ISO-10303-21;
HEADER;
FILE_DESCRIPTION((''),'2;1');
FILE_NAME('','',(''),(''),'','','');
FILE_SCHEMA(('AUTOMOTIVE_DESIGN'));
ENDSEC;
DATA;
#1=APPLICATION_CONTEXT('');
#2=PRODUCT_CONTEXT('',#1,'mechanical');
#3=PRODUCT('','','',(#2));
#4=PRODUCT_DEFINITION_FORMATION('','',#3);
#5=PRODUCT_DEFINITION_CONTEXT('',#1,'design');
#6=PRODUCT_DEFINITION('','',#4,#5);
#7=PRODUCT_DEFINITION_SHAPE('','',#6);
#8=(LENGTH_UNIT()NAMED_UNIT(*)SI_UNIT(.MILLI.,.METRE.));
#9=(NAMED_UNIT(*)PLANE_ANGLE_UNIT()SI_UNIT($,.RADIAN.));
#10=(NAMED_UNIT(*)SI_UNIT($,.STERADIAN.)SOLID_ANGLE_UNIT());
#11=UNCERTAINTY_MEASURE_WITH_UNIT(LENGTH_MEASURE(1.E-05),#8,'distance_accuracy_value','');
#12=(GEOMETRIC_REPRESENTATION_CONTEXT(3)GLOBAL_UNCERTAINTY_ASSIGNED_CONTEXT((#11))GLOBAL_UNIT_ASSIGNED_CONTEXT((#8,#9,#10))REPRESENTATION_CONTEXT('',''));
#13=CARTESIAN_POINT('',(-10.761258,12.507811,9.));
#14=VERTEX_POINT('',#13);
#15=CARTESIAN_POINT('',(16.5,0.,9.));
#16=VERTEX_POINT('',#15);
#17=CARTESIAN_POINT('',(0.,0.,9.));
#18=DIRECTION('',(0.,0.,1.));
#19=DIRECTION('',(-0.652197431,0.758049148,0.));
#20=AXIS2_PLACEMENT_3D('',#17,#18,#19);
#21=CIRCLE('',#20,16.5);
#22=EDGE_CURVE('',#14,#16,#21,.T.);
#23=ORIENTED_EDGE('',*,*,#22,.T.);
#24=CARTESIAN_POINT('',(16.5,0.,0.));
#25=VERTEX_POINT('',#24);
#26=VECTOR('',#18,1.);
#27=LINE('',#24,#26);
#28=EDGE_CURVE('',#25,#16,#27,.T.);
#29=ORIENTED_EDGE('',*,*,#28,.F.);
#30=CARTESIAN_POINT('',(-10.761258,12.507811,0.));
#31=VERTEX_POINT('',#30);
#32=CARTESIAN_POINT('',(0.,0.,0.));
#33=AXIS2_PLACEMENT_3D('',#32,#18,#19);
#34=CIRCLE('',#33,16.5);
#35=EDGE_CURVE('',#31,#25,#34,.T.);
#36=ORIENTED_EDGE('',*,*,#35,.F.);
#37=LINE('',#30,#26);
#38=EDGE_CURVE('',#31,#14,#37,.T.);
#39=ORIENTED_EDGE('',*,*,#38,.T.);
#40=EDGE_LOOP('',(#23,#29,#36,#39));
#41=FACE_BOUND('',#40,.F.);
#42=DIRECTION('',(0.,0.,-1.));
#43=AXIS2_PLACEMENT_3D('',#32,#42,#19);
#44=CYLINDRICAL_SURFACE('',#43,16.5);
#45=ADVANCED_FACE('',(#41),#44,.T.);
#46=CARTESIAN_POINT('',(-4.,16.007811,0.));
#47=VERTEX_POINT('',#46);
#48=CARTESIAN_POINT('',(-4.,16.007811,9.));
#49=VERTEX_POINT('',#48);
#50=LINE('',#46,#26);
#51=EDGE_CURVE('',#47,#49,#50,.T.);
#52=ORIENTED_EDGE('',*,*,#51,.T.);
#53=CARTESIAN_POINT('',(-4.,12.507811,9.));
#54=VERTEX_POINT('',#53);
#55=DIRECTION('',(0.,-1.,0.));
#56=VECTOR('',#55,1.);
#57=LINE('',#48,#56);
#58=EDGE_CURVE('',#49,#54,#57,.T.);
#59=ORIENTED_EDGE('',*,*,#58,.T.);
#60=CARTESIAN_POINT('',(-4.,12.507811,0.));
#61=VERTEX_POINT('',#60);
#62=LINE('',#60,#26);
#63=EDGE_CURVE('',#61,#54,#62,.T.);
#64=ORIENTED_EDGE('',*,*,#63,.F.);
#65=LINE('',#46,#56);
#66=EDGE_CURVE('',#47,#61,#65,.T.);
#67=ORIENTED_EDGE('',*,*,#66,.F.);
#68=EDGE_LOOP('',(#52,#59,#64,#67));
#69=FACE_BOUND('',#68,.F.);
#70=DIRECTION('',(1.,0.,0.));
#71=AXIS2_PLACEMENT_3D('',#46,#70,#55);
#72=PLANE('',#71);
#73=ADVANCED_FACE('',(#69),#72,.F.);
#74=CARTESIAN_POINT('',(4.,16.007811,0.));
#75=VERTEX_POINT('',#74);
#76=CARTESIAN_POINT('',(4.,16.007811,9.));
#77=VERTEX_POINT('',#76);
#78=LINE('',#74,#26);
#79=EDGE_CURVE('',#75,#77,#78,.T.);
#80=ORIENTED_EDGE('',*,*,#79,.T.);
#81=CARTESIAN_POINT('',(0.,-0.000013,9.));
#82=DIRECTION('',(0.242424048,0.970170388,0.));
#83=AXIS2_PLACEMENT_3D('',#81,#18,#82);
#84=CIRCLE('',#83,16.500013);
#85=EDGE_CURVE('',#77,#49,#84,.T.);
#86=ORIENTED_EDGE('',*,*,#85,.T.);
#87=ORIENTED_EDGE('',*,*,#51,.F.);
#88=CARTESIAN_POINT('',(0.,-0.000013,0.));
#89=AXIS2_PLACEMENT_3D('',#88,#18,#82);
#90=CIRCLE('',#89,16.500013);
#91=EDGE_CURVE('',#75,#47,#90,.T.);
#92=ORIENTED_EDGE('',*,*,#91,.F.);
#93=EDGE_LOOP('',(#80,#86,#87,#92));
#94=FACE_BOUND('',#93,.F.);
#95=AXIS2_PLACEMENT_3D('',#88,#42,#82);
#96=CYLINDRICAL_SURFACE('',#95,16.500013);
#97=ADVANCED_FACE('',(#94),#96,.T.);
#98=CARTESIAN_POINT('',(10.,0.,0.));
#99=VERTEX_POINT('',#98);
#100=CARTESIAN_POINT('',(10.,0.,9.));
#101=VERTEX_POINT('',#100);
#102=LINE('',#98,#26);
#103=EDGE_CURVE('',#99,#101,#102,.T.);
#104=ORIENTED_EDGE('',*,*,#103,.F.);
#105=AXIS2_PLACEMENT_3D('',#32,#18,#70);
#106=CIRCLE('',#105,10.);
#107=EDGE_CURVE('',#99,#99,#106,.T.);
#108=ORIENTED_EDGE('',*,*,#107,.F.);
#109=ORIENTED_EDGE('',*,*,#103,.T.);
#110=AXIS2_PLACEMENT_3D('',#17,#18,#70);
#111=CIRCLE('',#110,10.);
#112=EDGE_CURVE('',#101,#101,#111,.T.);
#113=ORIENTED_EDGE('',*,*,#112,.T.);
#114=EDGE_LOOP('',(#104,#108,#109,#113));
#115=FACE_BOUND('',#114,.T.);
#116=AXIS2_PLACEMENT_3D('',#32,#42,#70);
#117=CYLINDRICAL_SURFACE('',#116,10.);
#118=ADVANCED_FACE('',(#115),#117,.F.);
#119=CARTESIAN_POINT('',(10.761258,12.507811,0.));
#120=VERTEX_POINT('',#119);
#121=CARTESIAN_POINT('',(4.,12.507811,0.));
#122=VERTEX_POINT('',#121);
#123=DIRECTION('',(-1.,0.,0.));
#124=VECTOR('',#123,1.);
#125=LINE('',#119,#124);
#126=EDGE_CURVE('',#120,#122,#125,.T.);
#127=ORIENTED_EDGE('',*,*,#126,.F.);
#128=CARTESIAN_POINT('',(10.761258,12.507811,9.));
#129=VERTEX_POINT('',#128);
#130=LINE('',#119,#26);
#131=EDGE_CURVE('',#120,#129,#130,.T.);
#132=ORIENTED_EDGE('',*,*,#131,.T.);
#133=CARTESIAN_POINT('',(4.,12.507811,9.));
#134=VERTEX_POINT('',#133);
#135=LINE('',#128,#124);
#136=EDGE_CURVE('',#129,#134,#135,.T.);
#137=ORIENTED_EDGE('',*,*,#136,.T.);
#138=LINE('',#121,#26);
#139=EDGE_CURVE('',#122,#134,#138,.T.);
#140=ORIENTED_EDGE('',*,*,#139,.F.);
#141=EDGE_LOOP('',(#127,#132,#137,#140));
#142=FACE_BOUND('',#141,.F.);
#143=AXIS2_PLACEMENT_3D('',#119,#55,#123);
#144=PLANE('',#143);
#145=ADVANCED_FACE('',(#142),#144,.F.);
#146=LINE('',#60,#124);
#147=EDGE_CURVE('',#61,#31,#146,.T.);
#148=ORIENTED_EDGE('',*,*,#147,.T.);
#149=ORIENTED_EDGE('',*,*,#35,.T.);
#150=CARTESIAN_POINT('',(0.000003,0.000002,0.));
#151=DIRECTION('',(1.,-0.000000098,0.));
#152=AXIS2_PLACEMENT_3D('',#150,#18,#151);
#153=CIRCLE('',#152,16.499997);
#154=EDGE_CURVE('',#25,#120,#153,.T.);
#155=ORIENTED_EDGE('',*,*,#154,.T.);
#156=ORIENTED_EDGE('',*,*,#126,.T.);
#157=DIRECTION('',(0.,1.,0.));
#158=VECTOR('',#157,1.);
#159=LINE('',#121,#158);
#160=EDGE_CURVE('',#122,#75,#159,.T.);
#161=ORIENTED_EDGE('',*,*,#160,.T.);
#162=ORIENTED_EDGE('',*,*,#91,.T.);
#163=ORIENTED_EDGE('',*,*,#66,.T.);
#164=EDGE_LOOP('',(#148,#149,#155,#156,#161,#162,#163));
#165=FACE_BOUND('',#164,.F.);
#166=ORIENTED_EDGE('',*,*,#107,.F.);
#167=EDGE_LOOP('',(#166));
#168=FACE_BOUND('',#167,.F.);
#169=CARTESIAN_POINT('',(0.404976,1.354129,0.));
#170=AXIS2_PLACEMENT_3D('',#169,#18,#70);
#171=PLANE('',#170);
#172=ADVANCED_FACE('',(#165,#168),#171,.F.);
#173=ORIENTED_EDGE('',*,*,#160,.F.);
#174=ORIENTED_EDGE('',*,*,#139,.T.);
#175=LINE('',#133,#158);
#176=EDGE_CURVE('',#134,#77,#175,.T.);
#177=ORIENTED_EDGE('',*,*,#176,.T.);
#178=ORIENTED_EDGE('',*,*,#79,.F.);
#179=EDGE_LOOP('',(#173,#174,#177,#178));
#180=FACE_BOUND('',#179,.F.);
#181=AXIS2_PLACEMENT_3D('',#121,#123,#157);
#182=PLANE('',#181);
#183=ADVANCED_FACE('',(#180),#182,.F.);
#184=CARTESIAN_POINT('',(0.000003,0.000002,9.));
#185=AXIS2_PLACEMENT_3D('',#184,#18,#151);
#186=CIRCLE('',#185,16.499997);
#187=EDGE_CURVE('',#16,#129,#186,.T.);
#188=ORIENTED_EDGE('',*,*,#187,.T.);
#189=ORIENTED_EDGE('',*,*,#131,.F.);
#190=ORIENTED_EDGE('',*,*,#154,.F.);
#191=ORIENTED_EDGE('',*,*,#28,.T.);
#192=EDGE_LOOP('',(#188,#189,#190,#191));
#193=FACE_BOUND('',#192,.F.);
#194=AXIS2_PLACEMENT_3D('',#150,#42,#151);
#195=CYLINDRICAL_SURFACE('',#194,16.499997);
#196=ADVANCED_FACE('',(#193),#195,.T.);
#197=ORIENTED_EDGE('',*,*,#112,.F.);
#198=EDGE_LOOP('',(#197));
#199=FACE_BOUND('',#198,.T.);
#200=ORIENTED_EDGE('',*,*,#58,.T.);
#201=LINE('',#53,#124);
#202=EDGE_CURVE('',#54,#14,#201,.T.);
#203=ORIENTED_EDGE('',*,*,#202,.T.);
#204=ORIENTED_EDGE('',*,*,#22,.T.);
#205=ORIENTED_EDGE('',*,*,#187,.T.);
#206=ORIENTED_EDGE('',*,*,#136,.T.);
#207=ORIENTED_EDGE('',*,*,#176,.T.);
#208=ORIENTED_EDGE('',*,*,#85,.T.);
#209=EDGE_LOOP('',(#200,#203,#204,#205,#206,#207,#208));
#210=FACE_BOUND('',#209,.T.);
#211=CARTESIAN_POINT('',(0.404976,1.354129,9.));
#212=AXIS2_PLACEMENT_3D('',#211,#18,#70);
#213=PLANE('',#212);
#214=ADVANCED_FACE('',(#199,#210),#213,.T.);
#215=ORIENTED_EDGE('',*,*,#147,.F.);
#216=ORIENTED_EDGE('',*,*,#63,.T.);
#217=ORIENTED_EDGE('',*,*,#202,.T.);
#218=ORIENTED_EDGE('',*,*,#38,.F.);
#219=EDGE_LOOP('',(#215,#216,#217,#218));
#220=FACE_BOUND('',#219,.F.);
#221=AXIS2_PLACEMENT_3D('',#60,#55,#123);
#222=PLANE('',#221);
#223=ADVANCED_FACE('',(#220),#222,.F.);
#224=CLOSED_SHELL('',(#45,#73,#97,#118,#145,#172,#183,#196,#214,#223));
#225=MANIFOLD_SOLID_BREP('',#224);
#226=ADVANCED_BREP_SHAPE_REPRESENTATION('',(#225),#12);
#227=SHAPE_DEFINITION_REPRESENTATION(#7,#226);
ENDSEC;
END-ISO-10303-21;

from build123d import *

# Parameters (mm, degrees)
F0_R     = 10
F1_DEPTH = 9


with BuildPart() as f1:
    # F0 (on Top) → F1 (new body)
    with BuildSketch(Plane.XY):
        with BuildLine():
            ThreePointArc((-10.761258, 12.507811), (-6.880743, -14.996846), (16.5, 0))
            ThreePointArc((16.5, 0), (14.996846, 6.880743), (10.761258, 12.507811))
            Line((10.761258, 12.507811), (4, 12.507811))
            Line((4, 12.507811), (4, 16.007811))
            ThreePointArc((4, 16.007811), (0, 16.5), (-4, 16.007811))
            Line((-4, 16.007811), (-4, 12.507811))
            Line((-4, 12.507811), (-10.761258, 12.507811))
        make_face()
        Circle(F0_R, mode=Mode.SUBTRACT)
    extrude(amount=F1_DEPTH)


solid = f1.part
